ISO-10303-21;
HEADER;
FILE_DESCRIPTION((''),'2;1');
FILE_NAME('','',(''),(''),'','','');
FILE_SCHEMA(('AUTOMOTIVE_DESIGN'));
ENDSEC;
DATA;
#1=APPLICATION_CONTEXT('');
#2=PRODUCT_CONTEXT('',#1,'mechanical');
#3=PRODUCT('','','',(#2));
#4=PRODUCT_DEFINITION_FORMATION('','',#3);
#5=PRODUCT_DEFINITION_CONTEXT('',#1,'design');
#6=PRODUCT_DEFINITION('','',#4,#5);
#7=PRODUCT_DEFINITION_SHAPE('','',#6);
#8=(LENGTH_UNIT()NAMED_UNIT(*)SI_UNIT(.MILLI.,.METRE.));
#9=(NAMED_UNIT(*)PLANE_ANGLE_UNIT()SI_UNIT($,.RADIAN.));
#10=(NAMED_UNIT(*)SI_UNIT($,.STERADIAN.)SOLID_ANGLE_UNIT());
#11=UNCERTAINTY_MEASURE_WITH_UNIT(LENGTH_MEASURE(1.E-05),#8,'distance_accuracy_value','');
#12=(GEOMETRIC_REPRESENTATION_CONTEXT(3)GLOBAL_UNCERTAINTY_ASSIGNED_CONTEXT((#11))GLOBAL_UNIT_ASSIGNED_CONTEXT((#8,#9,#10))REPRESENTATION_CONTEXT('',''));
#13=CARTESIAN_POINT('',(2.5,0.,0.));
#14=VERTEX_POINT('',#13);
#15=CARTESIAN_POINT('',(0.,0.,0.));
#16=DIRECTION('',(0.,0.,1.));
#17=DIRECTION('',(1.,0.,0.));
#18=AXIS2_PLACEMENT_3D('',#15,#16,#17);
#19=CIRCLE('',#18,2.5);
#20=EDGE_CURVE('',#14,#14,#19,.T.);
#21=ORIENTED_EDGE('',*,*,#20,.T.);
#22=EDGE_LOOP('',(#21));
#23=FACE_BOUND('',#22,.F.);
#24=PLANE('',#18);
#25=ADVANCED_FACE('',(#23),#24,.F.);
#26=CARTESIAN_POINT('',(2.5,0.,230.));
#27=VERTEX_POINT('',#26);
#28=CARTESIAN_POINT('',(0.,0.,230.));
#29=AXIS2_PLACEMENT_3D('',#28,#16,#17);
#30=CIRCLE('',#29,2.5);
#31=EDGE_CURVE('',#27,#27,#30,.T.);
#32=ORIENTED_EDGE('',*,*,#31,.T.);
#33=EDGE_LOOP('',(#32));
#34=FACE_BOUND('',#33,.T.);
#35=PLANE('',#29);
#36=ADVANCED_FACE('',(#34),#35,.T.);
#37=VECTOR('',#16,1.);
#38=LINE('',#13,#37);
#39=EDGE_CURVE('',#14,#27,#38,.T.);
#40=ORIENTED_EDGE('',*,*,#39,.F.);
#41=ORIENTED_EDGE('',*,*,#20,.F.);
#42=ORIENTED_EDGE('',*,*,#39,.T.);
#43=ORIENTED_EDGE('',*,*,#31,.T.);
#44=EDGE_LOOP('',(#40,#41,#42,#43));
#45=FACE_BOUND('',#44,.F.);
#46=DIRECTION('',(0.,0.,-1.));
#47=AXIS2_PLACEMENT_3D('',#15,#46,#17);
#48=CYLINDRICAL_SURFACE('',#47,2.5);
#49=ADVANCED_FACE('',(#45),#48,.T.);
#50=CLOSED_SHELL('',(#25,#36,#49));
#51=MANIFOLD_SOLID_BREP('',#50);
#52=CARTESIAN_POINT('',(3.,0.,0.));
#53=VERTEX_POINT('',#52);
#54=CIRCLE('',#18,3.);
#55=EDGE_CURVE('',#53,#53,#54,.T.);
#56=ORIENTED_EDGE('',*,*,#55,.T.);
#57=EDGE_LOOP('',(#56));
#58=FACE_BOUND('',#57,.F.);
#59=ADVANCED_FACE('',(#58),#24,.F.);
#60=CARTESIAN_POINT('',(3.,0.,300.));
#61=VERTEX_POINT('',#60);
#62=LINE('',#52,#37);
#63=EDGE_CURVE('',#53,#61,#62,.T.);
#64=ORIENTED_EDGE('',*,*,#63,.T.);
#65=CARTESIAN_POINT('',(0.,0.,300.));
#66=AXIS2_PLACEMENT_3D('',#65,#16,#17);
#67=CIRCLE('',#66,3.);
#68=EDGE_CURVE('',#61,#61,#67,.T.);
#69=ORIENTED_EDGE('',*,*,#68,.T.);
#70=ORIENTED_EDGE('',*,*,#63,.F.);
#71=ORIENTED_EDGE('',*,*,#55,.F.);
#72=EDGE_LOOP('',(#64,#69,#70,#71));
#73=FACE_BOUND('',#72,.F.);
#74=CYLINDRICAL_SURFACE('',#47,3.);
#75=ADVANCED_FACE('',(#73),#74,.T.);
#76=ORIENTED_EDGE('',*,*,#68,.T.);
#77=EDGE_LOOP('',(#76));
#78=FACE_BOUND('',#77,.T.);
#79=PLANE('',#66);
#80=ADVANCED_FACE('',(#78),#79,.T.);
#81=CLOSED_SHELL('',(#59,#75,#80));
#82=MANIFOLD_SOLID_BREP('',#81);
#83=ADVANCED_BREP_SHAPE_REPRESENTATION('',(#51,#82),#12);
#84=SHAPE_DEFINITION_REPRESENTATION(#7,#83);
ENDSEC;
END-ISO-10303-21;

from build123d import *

# Parameters (mm, degrees)
CYLINDER_R        = 3
CYLINDER_DEPTH    = 300
CYLINDER001_R     = 2.5
CYLINDER001_DEPTH = 230


with BuildPart() as cylinder:
    # Cylinder → Cylinder (new body)
    with BuildSketch(Plane.XY):
        Circle(CYLINDER_R)
    extrude(amount=CYLINDER_DEPTH)


with BuildPart() as cylinder001:
    # Cylinder001 → Cylinder001 (new body)
    with BuildSketch(Plane.XY):
        Circle(CYLINDER001_R)
    extrude(amount=CYLINDER001_DEPTH)


solid = Compound([cylinder.part, cylinder001.part])
